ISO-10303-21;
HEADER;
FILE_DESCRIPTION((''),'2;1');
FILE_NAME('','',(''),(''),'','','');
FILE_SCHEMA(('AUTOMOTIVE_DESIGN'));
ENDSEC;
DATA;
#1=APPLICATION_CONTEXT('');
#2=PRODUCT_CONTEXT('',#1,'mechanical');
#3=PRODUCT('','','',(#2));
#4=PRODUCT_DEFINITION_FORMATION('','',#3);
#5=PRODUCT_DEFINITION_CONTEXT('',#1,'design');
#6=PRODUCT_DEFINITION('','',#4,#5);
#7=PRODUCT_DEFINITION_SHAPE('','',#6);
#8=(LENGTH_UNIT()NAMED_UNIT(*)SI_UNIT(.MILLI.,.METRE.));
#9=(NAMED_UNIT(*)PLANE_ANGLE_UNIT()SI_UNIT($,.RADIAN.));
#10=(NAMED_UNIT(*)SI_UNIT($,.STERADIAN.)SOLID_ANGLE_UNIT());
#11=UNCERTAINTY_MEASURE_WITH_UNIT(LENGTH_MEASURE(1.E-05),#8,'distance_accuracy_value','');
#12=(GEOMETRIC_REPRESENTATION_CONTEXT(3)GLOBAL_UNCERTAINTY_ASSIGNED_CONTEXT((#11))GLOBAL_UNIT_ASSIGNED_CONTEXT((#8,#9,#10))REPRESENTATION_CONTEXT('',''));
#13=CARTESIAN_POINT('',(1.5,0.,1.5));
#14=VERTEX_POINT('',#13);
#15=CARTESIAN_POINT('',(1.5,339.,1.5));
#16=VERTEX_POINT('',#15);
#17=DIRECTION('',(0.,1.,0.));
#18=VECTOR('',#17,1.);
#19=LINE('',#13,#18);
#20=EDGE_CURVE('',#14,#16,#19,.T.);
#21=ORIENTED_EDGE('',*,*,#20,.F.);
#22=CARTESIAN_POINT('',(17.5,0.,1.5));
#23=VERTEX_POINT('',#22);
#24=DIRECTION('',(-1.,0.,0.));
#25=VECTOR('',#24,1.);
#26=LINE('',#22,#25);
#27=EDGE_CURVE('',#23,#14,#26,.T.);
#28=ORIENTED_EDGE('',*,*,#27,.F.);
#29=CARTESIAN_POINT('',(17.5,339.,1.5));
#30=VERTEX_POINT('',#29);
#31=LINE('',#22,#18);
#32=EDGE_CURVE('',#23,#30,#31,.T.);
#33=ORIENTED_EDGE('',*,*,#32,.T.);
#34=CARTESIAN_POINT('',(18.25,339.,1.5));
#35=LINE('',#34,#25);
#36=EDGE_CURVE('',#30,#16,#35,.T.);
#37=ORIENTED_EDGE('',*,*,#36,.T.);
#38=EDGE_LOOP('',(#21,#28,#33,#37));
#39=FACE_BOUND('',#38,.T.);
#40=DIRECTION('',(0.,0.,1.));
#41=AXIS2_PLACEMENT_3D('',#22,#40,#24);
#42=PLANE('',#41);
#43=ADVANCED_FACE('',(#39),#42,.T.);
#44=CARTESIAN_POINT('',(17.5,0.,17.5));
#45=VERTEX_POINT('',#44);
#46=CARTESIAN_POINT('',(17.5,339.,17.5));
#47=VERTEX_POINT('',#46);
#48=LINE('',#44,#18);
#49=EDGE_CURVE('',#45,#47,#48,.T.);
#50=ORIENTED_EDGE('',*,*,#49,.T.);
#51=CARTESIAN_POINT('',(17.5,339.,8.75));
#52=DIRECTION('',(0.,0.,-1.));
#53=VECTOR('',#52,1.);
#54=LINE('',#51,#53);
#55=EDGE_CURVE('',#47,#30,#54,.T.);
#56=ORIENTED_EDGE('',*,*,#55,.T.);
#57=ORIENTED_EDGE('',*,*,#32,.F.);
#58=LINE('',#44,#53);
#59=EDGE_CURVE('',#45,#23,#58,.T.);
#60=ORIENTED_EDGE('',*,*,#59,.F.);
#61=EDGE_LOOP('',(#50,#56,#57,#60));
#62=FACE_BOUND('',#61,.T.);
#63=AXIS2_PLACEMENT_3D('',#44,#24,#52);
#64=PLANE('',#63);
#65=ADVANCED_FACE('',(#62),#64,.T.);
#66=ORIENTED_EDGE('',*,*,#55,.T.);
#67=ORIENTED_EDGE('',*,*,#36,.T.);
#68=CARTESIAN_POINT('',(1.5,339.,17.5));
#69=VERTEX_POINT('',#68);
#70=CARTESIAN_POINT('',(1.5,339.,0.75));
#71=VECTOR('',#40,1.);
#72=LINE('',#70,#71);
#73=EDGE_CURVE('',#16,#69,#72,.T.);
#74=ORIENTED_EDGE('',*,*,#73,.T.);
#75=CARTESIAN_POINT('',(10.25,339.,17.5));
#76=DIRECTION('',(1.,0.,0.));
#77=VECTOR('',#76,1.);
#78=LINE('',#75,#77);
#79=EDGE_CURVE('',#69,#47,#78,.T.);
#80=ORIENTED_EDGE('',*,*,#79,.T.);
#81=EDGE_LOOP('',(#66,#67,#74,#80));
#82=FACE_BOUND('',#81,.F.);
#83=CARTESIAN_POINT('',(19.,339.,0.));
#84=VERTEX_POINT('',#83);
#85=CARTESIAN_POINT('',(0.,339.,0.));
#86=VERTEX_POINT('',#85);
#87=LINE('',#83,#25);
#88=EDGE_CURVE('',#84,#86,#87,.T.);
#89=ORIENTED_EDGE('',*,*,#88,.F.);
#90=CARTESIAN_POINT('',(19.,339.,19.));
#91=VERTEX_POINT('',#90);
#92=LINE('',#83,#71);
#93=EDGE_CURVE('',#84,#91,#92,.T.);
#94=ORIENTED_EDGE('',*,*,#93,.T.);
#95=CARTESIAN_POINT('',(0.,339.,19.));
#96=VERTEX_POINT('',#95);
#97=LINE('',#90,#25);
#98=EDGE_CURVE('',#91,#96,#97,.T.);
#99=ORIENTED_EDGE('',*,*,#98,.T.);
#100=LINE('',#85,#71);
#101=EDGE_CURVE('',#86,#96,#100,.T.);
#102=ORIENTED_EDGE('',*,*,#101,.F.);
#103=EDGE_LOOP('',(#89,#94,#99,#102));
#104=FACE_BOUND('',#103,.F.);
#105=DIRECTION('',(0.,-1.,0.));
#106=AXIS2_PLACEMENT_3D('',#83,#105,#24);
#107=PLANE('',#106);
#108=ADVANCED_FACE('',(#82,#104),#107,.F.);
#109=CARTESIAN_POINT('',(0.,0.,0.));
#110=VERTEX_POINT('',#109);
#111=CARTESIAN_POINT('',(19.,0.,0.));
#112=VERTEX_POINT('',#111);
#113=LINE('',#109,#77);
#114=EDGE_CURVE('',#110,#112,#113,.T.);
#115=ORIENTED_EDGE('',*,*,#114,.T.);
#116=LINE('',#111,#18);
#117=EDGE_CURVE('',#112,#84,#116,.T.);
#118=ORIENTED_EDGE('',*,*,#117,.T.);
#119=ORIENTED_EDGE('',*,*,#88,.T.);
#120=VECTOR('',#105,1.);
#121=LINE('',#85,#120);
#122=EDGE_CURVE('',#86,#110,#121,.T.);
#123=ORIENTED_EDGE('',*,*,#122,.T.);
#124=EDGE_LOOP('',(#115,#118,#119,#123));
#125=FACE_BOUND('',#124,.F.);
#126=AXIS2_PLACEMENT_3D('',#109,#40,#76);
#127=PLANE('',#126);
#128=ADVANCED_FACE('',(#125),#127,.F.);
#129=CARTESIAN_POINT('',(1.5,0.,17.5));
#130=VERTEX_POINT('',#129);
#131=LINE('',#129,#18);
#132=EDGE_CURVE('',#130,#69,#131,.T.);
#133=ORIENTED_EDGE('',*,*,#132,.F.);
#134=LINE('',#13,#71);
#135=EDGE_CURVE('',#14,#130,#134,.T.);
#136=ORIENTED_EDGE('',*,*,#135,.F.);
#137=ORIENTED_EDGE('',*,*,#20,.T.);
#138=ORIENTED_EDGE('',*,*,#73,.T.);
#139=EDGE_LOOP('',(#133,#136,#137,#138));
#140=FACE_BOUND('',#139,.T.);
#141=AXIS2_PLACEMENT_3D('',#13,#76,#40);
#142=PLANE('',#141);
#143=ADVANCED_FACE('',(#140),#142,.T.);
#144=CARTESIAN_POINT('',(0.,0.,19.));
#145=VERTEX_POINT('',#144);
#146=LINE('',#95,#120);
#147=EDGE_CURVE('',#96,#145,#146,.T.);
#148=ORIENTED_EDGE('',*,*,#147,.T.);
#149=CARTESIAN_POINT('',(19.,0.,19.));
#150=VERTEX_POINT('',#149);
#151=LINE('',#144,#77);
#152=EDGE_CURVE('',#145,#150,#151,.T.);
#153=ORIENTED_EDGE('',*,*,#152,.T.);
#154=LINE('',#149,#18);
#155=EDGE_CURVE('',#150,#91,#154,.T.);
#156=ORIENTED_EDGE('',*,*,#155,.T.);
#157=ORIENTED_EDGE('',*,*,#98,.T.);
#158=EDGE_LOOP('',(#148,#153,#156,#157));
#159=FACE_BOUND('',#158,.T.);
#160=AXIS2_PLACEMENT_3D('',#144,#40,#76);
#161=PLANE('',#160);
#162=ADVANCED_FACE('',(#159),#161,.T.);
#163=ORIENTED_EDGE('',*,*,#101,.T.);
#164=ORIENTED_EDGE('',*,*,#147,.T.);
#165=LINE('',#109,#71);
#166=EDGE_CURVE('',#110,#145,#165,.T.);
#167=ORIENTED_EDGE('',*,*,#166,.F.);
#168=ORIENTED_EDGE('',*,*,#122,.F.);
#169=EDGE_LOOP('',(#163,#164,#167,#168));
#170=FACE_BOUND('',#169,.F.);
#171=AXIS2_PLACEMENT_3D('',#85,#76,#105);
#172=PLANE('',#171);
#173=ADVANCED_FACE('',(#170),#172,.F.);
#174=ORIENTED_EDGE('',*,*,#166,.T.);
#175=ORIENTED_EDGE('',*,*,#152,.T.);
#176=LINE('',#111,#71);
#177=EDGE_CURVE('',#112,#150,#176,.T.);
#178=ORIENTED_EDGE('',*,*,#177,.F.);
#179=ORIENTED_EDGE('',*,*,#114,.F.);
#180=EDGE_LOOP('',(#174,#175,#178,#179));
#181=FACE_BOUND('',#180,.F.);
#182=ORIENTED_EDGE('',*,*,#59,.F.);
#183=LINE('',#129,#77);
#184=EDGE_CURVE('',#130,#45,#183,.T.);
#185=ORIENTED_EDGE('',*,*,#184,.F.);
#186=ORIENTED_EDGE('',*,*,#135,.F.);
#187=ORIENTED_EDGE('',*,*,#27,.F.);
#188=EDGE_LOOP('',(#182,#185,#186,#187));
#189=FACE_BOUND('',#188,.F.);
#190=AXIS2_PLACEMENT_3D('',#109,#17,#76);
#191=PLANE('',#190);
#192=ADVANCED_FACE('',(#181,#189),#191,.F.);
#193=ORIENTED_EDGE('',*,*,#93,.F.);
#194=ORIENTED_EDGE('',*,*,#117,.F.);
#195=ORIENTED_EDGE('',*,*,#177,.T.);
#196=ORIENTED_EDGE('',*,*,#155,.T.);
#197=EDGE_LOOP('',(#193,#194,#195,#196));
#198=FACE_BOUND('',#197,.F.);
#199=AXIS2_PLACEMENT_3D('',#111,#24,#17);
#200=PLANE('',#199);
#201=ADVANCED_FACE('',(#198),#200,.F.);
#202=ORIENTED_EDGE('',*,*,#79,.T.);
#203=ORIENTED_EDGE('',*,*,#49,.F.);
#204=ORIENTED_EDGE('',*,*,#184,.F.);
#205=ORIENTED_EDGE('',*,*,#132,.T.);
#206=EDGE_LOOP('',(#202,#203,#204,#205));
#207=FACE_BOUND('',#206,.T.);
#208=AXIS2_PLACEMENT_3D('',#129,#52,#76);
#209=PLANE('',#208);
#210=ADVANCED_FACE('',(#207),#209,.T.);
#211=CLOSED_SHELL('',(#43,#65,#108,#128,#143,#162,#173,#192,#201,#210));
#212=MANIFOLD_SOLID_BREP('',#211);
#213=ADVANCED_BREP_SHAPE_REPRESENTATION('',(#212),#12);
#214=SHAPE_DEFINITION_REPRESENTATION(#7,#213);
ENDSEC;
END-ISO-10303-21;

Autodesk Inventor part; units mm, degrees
ref_plane "YZ Plane" through (0, 0, 0) normal (1, 0, 0) x (0, 1, 0)
ref_plane "XZ Plane" through (0, 0, 0) normal (0, 1, 0) x (-1, 0, 0)
ref_plane "XY Plane" through (0, 0, 0) normal (0, 0, 1) x (1, 0, 0)
sketch "Sketch1" plane through (0, 0, 0) normal (0, 0, 1) x (1, 0, 0)
  line L0 (0, 0) -> (19, 0)
  line L1 (19, 0) -> (19, 339)
  line L2 (19, 339) -> (0, 339)
  line L3 (0, 339) -> (0, 0)
  dimension "d0" = 19
  dimension "d1" = 339
extrude "Extrusion1" add sketch "Sketch1" along normal blind 19
sketch "Sketch2" plane through (0, 0, 0) normal (0, -1, 0) x (1, 0, 0)
  line L0 (0, 0) -> (19, 0) projected
  line L1 (19, 0) -> (19, 19) projected
  line L2 (0, 19) -> (19, 19) projected
  line L3 (0, 0) -> (0, 19) projected
  line L4 (17.5, 17.5) -> (17.5, 1.5)
  line L5 (17.5, 1.5) -> (1.5, 1.5)
  line L6 (1.5, 1.5) -> (1.5, 17.5)
  line L7 (1.5, 17.5) -> (17.5, 17.5)
  dimension "d4" = 1.5
extrude "Extrusion2" cut sketch "Sketch2" against normal through all contours L4 L5 L6 L7
properties part number "C008" material "Aluminum 6061"
